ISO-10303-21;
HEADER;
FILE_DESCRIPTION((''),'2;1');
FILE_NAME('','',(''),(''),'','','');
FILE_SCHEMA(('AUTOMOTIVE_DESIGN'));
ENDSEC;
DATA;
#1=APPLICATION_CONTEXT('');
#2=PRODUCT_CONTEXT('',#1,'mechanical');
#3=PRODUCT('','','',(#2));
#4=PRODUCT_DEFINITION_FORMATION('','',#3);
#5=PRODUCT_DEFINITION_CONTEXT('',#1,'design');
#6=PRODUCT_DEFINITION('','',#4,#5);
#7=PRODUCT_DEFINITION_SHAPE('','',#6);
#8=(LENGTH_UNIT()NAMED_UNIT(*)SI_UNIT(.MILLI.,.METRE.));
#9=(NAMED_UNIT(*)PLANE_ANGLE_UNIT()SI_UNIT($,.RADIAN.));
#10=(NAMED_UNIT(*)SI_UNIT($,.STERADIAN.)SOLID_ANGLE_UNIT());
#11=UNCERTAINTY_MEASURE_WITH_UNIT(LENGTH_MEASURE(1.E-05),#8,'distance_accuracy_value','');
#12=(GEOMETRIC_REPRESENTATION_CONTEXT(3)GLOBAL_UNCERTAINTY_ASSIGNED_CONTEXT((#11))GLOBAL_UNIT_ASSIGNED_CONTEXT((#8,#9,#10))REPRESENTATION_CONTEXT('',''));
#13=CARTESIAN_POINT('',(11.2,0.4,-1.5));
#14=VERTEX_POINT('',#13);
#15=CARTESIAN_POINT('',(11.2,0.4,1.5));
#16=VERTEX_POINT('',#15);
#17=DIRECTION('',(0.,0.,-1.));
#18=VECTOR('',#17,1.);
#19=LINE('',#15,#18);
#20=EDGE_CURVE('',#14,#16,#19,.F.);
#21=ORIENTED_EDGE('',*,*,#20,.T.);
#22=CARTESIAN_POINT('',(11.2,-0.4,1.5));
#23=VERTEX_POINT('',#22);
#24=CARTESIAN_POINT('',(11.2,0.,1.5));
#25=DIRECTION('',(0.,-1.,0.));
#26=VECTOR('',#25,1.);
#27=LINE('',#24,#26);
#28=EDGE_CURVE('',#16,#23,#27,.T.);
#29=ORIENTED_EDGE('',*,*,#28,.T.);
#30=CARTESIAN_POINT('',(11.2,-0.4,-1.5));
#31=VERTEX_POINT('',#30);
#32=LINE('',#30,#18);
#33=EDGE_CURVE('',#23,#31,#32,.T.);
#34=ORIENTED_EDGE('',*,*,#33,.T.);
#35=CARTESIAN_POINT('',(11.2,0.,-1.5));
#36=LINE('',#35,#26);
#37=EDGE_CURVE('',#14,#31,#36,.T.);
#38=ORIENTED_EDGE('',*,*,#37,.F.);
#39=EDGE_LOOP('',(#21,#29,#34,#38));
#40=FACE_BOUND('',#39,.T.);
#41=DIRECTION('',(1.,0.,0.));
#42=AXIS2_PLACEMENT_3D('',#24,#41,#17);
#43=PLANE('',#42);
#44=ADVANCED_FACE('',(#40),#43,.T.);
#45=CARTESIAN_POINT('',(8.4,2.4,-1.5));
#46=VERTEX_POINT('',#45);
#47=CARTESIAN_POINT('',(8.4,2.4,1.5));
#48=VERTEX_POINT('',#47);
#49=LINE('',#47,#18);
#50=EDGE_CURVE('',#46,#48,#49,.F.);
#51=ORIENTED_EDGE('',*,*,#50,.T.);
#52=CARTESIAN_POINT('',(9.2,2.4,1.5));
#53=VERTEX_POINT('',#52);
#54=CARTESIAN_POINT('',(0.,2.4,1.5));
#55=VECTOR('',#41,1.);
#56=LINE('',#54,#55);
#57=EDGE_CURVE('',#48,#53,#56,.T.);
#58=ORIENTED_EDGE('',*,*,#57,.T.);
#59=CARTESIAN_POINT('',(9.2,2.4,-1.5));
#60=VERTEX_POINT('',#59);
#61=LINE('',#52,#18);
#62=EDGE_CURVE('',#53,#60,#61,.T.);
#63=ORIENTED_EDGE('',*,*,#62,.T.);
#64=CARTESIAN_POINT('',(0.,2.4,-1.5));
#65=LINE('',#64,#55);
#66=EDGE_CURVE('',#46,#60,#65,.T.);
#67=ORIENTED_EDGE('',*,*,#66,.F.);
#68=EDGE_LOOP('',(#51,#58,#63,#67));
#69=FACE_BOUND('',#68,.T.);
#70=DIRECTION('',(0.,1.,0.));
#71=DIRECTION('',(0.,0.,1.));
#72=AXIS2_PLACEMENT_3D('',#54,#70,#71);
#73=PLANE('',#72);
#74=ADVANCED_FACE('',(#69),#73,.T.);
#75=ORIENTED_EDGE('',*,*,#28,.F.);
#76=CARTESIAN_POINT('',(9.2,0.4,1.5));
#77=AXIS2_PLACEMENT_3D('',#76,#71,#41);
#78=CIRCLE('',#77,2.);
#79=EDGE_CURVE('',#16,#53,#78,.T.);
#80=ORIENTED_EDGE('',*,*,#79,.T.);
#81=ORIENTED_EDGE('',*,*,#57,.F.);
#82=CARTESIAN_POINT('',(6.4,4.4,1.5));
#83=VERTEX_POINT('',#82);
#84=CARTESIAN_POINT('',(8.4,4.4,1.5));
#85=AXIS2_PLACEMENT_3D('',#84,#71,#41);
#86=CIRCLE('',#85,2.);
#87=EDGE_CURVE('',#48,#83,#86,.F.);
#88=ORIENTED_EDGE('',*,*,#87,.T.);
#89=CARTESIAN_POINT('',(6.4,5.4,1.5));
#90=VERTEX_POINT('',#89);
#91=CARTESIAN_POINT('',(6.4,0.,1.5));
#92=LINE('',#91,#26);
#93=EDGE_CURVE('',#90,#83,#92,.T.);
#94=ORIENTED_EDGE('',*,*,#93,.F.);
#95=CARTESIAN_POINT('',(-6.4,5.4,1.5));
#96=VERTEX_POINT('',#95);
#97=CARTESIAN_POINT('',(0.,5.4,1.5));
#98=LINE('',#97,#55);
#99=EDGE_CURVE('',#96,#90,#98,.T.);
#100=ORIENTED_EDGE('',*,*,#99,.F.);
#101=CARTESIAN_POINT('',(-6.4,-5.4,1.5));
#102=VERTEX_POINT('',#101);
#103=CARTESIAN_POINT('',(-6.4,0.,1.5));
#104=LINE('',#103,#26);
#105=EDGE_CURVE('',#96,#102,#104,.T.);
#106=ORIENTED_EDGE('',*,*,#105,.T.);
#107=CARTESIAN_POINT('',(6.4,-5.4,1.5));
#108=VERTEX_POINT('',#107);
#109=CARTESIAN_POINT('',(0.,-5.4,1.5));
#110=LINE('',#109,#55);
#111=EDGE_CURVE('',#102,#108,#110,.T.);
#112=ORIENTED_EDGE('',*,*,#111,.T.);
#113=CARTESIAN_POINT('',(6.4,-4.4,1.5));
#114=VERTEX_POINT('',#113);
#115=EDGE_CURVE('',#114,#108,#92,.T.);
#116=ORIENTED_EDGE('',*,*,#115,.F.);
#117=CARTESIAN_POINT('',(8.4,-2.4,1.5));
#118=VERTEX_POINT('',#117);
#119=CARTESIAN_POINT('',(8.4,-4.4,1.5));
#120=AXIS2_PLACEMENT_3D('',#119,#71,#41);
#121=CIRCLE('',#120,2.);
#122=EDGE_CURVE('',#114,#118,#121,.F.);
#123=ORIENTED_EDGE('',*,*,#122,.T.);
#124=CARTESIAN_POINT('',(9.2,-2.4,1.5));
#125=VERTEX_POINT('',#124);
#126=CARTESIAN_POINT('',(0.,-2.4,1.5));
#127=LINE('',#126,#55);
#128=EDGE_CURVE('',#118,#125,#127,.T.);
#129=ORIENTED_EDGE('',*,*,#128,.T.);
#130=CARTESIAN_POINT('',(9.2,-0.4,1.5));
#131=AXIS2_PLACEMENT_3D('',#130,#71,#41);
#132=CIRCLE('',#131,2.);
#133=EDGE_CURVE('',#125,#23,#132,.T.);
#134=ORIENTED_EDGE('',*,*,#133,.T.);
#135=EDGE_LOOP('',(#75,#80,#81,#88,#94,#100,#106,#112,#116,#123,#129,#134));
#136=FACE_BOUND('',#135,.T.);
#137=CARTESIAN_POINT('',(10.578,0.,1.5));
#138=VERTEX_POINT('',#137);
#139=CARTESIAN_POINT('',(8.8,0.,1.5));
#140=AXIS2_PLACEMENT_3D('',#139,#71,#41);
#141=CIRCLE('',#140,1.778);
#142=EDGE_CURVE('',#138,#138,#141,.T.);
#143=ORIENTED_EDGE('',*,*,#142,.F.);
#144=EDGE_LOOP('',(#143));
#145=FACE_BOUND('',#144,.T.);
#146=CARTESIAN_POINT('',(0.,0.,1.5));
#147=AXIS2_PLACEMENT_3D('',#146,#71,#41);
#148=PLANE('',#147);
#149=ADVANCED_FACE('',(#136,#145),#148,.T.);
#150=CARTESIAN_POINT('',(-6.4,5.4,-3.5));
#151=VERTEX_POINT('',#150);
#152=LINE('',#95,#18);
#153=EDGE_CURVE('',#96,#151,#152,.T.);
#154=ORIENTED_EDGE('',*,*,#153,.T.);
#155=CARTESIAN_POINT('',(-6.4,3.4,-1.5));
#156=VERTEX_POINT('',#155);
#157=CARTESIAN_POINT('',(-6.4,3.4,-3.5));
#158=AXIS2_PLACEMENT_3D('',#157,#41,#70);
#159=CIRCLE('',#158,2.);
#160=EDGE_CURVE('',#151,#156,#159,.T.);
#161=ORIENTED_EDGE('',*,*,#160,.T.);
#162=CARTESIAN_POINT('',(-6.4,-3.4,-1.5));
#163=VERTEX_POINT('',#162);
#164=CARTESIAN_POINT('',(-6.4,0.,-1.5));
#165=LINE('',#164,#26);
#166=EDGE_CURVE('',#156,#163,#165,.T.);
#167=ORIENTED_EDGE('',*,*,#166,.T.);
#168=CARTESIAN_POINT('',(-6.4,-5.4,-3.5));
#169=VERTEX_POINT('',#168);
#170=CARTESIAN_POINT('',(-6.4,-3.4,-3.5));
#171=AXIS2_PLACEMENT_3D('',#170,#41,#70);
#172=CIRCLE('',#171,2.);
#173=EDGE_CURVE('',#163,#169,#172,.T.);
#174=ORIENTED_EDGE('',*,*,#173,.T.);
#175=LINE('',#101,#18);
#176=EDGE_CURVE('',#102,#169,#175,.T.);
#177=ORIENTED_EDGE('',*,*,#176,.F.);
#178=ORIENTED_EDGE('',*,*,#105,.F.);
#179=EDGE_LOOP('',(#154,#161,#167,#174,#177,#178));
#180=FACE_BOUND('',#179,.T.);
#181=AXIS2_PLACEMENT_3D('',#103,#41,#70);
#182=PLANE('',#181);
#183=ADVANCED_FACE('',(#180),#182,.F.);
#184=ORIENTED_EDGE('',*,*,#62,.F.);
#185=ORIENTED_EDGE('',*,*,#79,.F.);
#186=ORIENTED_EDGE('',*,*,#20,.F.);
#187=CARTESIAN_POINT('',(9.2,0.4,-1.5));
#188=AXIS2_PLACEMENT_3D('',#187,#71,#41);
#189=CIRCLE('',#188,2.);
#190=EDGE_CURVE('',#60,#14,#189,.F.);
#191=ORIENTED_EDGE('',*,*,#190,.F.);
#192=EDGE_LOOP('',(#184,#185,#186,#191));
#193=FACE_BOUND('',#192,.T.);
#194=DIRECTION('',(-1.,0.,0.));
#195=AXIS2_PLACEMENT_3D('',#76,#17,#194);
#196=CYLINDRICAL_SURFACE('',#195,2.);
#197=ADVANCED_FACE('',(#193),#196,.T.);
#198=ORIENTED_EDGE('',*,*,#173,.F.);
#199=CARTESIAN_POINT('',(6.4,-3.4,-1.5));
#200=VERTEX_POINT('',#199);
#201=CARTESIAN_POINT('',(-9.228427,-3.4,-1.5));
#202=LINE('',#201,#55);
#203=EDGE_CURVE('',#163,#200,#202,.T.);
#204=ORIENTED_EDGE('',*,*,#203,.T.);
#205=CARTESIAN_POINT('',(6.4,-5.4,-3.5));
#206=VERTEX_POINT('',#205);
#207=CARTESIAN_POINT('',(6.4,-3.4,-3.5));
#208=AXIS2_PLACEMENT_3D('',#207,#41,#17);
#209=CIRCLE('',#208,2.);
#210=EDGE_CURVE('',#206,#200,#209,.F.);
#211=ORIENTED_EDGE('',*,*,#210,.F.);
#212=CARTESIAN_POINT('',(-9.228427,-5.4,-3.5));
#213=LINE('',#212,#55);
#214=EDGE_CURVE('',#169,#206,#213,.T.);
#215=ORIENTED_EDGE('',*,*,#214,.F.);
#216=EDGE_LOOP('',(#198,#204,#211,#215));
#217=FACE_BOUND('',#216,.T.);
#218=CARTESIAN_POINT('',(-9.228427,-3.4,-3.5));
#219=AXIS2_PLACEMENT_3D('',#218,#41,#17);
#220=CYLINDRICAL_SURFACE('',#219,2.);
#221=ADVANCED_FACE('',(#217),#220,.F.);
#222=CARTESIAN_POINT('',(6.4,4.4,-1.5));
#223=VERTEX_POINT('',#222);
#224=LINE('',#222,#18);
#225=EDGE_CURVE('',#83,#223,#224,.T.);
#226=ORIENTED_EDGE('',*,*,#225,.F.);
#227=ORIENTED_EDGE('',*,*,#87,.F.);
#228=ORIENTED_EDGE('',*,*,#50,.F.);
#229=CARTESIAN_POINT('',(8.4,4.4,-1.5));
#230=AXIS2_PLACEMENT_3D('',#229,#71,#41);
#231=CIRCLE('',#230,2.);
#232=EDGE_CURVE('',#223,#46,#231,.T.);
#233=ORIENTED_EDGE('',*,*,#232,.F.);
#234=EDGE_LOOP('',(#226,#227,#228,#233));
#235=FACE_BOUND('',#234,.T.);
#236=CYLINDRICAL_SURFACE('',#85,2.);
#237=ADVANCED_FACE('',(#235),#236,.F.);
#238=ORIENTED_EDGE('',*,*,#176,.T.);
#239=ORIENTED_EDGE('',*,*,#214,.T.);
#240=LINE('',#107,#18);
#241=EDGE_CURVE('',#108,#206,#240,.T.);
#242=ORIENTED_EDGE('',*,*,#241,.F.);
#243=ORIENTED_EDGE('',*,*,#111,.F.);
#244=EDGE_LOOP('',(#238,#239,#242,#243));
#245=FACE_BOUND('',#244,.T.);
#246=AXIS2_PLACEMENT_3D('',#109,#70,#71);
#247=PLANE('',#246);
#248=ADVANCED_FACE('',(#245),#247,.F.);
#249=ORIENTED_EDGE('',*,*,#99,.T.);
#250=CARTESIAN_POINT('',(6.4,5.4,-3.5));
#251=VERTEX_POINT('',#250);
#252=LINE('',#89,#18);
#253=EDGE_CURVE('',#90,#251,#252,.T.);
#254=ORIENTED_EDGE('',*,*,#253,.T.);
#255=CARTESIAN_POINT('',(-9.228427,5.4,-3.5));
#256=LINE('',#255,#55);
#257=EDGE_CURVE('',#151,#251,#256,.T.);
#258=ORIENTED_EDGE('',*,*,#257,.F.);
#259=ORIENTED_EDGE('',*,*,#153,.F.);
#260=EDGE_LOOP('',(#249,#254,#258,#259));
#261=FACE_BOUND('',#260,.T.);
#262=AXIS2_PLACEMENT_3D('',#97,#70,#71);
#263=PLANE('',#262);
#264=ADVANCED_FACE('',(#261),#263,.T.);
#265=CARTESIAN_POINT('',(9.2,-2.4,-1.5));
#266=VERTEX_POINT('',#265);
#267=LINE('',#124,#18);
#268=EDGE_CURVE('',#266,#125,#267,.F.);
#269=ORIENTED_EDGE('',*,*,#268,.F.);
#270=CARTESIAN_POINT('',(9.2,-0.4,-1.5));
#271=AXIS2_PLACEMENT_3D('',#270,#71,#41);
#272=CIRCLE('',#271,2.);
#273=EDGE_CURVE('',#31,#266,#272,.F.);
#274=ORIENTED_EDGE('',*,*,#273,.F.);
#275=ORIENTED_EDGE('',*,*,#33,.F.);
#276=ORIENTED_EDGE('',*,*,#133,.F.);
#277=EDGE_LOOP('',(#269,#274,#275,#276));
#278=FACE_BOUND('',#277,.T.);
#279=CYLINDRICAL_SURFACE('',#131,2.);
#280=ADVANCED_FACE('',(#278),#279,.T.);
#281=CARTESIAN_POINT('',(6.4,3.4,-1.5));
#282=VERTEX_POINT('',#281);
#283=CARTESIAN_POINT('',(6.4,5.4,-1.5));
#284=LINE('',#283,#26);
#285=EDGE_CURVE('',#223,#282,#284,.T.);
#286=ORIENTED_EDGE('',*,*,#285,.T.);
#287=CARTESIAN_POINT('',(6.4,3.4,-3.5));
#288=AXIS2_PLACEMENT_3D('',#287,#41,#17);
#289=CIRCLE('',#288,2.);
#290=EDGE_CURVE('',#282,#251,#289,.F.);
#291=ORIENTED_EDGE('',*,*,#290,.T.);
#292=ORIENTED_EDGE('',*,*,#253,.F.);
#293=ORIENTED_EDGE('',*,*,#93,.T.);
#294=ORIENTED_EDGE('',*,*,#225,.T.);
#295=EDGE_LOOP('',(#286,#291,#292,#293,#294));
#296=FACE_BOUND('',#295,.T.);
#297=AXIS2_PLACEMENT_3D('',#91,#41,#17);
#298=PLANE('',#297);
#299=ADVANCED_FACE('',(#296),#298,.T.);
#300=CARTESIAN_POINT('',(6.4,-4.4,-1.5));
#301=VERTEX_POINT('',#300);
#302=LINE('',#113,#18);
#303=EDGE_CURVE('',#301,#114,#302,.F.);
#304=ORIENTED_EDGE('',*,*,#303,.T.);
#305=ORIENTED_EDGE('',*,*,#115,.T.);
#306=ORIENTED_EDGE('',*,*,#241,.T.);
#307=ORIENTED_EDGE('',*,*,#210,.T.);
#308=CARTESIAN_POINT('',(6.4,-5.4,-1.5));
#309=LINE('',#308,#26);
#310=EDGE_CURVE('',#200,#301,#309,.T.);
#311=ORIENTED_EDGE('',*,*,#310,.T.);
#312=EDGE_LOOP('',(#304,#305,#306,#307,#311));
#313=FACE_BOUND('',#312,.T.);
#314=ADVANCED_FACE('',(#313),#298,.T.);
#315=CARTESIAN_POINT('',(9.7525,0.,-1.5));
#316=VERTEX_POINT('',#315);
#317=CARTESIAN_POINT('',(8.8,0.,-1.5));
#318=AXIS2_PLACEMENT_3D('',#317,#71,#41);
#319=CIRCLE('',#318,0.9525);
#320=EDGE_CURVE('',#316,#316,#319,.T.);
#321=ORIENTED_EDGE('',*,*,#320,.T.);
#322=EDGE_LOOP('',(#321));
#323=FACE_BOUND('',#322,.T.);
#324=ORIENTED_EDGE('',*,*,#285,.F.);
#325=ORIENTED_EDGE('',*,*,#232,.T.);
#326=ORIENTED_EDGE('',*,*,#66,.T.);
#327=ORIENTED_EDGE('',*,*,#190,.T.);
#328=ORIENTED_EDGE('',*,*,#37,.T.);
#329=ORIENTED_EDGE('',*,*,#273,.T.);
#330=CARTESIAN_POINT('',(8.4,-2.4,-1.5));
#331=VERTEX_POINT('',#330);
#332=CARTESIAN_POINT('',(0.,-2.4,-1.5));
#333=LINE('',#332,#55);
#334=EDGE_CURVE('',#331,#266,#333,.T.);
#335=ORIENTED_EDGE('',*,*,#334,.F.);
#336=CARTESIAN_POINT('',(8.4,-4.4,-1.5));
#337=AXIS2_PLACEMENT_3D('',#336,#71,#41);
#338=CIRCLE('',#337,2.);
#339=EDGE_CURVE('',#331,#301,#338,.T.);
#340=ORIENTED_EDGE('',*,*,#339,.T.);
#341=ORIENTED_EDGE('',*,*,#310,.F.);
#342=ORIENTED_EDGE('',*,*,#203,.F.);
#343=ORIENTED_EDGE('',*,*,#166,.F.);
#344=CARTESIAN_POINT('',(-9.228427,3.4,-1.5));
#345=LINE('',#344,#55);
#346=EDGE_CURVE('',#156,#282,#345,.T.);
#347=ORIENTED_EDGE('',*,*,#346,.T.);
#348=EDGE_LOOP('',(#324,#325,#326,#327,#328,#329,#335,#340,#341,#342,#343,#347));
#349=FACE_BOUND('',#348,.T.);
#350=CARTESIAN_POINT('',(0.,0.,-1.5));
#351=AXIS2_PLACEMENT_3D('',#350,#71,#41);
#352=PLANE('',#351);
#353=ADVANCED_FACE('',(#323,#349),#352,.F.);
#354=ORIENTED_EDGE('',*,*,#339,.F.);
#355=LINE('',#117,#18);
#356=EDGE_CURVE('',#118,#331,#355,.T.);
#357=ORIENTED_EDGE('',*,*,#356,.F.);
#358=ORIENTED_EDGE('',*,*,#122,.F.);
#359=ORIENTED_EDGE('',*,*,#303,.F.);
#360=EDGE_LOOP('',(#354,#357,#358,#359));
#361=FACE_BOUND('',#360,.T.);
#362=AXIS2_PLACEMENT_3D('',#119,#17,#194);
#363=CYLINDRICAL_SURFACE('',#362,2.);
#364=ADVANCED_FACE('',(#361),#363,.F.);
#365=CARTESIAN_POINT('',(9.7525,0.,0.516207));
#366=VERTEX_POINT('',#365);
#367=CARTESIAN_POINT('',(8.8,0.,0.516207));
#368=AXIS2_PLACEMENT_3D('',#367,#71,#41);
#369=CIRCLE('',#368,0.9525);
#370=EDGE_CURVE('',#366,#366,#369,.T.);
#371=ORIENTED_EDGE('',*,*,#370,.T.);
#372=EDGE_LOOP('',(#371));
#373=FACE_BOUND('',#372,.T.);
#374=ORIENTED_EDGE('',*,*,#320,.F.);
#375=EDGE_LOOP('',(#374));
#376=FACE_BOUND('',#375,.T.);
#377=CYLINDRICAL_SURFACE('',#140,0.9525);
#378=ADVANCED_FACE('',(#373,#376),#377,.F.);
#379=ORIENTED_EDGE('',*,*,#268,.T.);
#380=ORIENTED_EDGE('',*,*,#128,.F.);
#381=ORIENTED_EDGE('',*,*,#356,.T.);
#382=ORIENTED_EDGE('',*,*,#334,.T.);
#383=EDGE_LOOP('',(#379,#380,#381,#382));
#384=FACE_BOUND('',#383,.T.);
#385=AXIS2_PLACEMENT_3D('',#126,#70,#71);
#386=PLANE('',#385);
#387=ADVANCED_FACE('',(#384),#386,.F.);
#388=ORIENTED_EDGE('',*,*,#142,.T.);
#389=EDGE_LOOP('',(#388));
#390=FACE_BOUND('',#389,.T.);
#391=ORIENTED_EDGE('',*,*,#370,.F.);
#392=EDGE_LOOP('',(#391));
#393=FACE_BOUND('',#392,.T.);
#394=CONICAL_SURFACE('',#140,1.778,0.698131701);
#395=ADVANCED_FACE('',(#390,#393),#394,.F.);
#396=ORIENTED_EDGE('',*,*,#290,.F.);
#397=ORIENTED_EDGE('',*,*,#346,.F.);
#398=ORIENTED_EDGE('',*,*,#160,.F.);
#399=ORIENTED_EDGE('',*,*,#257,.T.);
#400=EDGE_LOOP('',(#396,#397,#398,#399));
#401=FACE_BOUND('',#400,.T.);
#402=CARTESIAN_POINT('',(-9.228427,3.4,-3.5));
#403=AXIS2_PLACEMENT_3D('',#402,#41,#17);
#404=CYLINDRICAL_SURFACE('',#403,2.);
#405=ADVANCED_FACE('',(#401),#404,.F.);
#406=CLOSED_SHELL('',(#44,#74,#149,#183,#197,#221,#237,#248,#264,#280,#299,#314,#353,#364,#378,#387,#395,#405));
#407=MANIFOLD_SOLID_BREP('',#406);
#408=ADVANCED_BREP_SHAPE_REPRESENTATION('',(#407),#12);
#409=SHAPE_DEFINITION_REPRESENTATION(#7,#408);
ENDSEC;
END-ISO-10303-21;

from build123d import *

# Parameters (mm, degrees)
SKETCH1_W                       = 12.8
SKETCH1_H                       = 10.8
SKETCH1_W_2                     = 4.8
SKETCH1_H_2                     = 4.8
BOSS_EXTRUDE1_DEPTH             = 1.5
F_2_CLEARANCE_HOLE1_D           = 1.905
F_2_CLEARANCE_HOLE1_CSINK_D     = 3.556
F_2_CLEARANCE_HOLE1_CSINK_ANGLE = 80
FILLET1_R                       = 2
BOSS_EXTRUDE2_REACH             = 14.524
BOSS_EXTRUDE2_DIRECTION_2_REACH = 14.524


with BuildPart() as part:
    # Sketch1 → Boss-Extrude1 (new, symmetric)
    with BuildSketch(Plane.XY):
        Rectangle(SKETCH1_W, SKETCH1_H)
        with Locations((8.8, 0)):
            Rectangle(SKETCH1_W_2, SKETCH1_H_2)
    extrude(amount=BOSS_EXTRUDE1_DEPTH, both=True)

    # #2 Clearance Hole1 (through all)
    with Locations(Plane.XY.offset(1.5)):
        with Locations((8.8, 0)):
            CounterSinkHole(F_2_CLEARANCE_HOLE1_D / 2, F_2_CLEARANCE_HOLE1_CSINK_D / 2, counter_sink_angle=F_2_CLEARANCE_HOLE1_CSINK_ANGLE)

    # Fillet1
    fillet1_edges = [part.edges().sort_by_distance(p)[0] for p in [
        (6.4, 2.4, 0),
        (11.2, 2.4, 0),
        (11.2, -2.4, 0),
        (6.4, -2.4, 0),
    ]]
    fillet(fillet1_edges, radius=FILLET1_R)

    # Boss-Extrude2: up to this face of the body (flat: up to its plane)
    boss_extrude2_end = Plane(part.part.faces().sort_by_distance((-6.4, 0, 0))[0])
    # Sketch4 → Boss-Extrude2 (add, up to the picked face)
    with BuildSketch(Plane(origin=(0, 0, 0), x_dir=(0, 0, -1), z_dir=(1, 0, 0)), mode=Mode.PRIVATE) as boss_extrude2_sk1:
        with BuildLine():
            Line((1.5, 5.4), (3.5, 5.4))
            ThreePointArc((3.5, 5.4), (2.085786438, 4.814213562), (1.5, 3.4))
            Line((1.5, 3.4), (1.5, 5.4))
        make_face()
    boss_extrude2_tool1 = split(extrude(boss_extrude2_sk1.sketch, amount=-BOSS_EXTRUDE2_REACH, mode=Mode.PRIVATE), bisect_by=boss_extrude2_end, keep=Keep.BOTH, mode=Mode.PRIVATE)
    # Sketch4 → Boss-Extrude2 (add, up to the picked face)
    with BuildSketch(Plane(origin=(0, 0, 0), x_dir=(0, 0, -1), z_dir=(1, 0, 0)), mode=Mode.PRIVATE) as boss_extrude2_sk2:
        with BuildLine():
            Line((1.5, -5.4), (1.5, -3.4))
            ThreePointArc((1.5, -3.4), (2.085786438, -4.814213562), (3.5, -5.4))
            Line((3.5, -5.4), (1.5, -5.4))
        make_face()
    boss_extrude2_tool2 = split(extrude(boss_extrude2_sk2.sketch, amount=-BOSS_EXTRUDE2_REACH, mode=Mode.PRIVATE), bisect_by=boss_extrude2_end, keep=Keep.BOTH, mode=Mode.PRIVATE)
    add(boss_extrude2_tool1.solids().sort_by(Axis((0, 4.953264, -1.946736), (-1, 0, 0)))[0])
    add(boss_extrude2_tool2.solids().sort_by(Axis((0, -4.953264, -1.946736), (-1, 0, 0)))[0])

    # Boss-Extrude2 direction 2: up to this face of the body (flat: up to its plane)
    boss_extrude2_direction_2_end = Plane(part.part.faces().sort_by_distance((6.4, 4.9, 0))[0])
    # Sketch4 → Boss-Extrude2 direction 2 (add, up to the picked face)
    with BuildSketch(Plane(origin=(0, 0, 0), x_dir=(0, 0, -1), z_dir=(1, 0, 0)), mode=Mode.PRIVATE) as boss_extrude2_direction_2_sk1:
        with BuildLine():
            Line((1.5, 5.4), (3.5, 5.4))
            ThreePointArc((3.5, 5.4), (2.085786438, 4.814213562), (1.5, 3.4))
            Line((1.5, 3.4), (1.5, 5.4))
        make_face()
    boss_extrude2_direction_2_tool1 = split(extrude(boss_extrude2_direction_2_sk1.sketch, amount=BOSS_EXTRUDE2_DIRECTION_2_REACH, mode=Mode.PRIVATE), bisect_by=boss_extrude2_direction_2_end, keep=Keep.BOTH, mode=Mode.PRIVATE)
    # Sketch4 → Boss-Extrude2 direction 2 (add, up to the picked face)
    with BuildSketch(Plane(origin=(0, 0, 0), x_dir=(0, 0, -1), z_dir=(1, 0, 0)), mode=Mode.PRIVATE) as boss_extrude2_direction_2_sk2:
        with BuildLine():
            Line((1.5, -5.4), (1.5, -3.4))
            ThreePointArc((1.5, -3.4), (2.085786438, -4.814213562), (3.5, -5.4))
            Line((3.5, -5.4), (1.5, -5.4))
        make_face()
    boss_extrude2_direction_2_tool2 = split(extrude(boss_extrude2_direction_2_sk2.sketch, amount=BOSS_EXTRUDE2_DIRECTION_2_REACH, mode=Mode.PRIVATE), bisect_by=boss_extrude2_direction_2_end, keep=Keep.BOTH, mode=Mode.PRIVATE)
    add(boss_extrude2_direction_2_tool1.solids().sort_by(Axis((0, 4.953264, -1.946736), (1, 0, 0)))[0])
    add(boss_extrude2_direction_2_tool2.solids().sort_by(Axis((0, -4.953264, -1.946736), (1, 0, 0)))[0])


solid = part.part
